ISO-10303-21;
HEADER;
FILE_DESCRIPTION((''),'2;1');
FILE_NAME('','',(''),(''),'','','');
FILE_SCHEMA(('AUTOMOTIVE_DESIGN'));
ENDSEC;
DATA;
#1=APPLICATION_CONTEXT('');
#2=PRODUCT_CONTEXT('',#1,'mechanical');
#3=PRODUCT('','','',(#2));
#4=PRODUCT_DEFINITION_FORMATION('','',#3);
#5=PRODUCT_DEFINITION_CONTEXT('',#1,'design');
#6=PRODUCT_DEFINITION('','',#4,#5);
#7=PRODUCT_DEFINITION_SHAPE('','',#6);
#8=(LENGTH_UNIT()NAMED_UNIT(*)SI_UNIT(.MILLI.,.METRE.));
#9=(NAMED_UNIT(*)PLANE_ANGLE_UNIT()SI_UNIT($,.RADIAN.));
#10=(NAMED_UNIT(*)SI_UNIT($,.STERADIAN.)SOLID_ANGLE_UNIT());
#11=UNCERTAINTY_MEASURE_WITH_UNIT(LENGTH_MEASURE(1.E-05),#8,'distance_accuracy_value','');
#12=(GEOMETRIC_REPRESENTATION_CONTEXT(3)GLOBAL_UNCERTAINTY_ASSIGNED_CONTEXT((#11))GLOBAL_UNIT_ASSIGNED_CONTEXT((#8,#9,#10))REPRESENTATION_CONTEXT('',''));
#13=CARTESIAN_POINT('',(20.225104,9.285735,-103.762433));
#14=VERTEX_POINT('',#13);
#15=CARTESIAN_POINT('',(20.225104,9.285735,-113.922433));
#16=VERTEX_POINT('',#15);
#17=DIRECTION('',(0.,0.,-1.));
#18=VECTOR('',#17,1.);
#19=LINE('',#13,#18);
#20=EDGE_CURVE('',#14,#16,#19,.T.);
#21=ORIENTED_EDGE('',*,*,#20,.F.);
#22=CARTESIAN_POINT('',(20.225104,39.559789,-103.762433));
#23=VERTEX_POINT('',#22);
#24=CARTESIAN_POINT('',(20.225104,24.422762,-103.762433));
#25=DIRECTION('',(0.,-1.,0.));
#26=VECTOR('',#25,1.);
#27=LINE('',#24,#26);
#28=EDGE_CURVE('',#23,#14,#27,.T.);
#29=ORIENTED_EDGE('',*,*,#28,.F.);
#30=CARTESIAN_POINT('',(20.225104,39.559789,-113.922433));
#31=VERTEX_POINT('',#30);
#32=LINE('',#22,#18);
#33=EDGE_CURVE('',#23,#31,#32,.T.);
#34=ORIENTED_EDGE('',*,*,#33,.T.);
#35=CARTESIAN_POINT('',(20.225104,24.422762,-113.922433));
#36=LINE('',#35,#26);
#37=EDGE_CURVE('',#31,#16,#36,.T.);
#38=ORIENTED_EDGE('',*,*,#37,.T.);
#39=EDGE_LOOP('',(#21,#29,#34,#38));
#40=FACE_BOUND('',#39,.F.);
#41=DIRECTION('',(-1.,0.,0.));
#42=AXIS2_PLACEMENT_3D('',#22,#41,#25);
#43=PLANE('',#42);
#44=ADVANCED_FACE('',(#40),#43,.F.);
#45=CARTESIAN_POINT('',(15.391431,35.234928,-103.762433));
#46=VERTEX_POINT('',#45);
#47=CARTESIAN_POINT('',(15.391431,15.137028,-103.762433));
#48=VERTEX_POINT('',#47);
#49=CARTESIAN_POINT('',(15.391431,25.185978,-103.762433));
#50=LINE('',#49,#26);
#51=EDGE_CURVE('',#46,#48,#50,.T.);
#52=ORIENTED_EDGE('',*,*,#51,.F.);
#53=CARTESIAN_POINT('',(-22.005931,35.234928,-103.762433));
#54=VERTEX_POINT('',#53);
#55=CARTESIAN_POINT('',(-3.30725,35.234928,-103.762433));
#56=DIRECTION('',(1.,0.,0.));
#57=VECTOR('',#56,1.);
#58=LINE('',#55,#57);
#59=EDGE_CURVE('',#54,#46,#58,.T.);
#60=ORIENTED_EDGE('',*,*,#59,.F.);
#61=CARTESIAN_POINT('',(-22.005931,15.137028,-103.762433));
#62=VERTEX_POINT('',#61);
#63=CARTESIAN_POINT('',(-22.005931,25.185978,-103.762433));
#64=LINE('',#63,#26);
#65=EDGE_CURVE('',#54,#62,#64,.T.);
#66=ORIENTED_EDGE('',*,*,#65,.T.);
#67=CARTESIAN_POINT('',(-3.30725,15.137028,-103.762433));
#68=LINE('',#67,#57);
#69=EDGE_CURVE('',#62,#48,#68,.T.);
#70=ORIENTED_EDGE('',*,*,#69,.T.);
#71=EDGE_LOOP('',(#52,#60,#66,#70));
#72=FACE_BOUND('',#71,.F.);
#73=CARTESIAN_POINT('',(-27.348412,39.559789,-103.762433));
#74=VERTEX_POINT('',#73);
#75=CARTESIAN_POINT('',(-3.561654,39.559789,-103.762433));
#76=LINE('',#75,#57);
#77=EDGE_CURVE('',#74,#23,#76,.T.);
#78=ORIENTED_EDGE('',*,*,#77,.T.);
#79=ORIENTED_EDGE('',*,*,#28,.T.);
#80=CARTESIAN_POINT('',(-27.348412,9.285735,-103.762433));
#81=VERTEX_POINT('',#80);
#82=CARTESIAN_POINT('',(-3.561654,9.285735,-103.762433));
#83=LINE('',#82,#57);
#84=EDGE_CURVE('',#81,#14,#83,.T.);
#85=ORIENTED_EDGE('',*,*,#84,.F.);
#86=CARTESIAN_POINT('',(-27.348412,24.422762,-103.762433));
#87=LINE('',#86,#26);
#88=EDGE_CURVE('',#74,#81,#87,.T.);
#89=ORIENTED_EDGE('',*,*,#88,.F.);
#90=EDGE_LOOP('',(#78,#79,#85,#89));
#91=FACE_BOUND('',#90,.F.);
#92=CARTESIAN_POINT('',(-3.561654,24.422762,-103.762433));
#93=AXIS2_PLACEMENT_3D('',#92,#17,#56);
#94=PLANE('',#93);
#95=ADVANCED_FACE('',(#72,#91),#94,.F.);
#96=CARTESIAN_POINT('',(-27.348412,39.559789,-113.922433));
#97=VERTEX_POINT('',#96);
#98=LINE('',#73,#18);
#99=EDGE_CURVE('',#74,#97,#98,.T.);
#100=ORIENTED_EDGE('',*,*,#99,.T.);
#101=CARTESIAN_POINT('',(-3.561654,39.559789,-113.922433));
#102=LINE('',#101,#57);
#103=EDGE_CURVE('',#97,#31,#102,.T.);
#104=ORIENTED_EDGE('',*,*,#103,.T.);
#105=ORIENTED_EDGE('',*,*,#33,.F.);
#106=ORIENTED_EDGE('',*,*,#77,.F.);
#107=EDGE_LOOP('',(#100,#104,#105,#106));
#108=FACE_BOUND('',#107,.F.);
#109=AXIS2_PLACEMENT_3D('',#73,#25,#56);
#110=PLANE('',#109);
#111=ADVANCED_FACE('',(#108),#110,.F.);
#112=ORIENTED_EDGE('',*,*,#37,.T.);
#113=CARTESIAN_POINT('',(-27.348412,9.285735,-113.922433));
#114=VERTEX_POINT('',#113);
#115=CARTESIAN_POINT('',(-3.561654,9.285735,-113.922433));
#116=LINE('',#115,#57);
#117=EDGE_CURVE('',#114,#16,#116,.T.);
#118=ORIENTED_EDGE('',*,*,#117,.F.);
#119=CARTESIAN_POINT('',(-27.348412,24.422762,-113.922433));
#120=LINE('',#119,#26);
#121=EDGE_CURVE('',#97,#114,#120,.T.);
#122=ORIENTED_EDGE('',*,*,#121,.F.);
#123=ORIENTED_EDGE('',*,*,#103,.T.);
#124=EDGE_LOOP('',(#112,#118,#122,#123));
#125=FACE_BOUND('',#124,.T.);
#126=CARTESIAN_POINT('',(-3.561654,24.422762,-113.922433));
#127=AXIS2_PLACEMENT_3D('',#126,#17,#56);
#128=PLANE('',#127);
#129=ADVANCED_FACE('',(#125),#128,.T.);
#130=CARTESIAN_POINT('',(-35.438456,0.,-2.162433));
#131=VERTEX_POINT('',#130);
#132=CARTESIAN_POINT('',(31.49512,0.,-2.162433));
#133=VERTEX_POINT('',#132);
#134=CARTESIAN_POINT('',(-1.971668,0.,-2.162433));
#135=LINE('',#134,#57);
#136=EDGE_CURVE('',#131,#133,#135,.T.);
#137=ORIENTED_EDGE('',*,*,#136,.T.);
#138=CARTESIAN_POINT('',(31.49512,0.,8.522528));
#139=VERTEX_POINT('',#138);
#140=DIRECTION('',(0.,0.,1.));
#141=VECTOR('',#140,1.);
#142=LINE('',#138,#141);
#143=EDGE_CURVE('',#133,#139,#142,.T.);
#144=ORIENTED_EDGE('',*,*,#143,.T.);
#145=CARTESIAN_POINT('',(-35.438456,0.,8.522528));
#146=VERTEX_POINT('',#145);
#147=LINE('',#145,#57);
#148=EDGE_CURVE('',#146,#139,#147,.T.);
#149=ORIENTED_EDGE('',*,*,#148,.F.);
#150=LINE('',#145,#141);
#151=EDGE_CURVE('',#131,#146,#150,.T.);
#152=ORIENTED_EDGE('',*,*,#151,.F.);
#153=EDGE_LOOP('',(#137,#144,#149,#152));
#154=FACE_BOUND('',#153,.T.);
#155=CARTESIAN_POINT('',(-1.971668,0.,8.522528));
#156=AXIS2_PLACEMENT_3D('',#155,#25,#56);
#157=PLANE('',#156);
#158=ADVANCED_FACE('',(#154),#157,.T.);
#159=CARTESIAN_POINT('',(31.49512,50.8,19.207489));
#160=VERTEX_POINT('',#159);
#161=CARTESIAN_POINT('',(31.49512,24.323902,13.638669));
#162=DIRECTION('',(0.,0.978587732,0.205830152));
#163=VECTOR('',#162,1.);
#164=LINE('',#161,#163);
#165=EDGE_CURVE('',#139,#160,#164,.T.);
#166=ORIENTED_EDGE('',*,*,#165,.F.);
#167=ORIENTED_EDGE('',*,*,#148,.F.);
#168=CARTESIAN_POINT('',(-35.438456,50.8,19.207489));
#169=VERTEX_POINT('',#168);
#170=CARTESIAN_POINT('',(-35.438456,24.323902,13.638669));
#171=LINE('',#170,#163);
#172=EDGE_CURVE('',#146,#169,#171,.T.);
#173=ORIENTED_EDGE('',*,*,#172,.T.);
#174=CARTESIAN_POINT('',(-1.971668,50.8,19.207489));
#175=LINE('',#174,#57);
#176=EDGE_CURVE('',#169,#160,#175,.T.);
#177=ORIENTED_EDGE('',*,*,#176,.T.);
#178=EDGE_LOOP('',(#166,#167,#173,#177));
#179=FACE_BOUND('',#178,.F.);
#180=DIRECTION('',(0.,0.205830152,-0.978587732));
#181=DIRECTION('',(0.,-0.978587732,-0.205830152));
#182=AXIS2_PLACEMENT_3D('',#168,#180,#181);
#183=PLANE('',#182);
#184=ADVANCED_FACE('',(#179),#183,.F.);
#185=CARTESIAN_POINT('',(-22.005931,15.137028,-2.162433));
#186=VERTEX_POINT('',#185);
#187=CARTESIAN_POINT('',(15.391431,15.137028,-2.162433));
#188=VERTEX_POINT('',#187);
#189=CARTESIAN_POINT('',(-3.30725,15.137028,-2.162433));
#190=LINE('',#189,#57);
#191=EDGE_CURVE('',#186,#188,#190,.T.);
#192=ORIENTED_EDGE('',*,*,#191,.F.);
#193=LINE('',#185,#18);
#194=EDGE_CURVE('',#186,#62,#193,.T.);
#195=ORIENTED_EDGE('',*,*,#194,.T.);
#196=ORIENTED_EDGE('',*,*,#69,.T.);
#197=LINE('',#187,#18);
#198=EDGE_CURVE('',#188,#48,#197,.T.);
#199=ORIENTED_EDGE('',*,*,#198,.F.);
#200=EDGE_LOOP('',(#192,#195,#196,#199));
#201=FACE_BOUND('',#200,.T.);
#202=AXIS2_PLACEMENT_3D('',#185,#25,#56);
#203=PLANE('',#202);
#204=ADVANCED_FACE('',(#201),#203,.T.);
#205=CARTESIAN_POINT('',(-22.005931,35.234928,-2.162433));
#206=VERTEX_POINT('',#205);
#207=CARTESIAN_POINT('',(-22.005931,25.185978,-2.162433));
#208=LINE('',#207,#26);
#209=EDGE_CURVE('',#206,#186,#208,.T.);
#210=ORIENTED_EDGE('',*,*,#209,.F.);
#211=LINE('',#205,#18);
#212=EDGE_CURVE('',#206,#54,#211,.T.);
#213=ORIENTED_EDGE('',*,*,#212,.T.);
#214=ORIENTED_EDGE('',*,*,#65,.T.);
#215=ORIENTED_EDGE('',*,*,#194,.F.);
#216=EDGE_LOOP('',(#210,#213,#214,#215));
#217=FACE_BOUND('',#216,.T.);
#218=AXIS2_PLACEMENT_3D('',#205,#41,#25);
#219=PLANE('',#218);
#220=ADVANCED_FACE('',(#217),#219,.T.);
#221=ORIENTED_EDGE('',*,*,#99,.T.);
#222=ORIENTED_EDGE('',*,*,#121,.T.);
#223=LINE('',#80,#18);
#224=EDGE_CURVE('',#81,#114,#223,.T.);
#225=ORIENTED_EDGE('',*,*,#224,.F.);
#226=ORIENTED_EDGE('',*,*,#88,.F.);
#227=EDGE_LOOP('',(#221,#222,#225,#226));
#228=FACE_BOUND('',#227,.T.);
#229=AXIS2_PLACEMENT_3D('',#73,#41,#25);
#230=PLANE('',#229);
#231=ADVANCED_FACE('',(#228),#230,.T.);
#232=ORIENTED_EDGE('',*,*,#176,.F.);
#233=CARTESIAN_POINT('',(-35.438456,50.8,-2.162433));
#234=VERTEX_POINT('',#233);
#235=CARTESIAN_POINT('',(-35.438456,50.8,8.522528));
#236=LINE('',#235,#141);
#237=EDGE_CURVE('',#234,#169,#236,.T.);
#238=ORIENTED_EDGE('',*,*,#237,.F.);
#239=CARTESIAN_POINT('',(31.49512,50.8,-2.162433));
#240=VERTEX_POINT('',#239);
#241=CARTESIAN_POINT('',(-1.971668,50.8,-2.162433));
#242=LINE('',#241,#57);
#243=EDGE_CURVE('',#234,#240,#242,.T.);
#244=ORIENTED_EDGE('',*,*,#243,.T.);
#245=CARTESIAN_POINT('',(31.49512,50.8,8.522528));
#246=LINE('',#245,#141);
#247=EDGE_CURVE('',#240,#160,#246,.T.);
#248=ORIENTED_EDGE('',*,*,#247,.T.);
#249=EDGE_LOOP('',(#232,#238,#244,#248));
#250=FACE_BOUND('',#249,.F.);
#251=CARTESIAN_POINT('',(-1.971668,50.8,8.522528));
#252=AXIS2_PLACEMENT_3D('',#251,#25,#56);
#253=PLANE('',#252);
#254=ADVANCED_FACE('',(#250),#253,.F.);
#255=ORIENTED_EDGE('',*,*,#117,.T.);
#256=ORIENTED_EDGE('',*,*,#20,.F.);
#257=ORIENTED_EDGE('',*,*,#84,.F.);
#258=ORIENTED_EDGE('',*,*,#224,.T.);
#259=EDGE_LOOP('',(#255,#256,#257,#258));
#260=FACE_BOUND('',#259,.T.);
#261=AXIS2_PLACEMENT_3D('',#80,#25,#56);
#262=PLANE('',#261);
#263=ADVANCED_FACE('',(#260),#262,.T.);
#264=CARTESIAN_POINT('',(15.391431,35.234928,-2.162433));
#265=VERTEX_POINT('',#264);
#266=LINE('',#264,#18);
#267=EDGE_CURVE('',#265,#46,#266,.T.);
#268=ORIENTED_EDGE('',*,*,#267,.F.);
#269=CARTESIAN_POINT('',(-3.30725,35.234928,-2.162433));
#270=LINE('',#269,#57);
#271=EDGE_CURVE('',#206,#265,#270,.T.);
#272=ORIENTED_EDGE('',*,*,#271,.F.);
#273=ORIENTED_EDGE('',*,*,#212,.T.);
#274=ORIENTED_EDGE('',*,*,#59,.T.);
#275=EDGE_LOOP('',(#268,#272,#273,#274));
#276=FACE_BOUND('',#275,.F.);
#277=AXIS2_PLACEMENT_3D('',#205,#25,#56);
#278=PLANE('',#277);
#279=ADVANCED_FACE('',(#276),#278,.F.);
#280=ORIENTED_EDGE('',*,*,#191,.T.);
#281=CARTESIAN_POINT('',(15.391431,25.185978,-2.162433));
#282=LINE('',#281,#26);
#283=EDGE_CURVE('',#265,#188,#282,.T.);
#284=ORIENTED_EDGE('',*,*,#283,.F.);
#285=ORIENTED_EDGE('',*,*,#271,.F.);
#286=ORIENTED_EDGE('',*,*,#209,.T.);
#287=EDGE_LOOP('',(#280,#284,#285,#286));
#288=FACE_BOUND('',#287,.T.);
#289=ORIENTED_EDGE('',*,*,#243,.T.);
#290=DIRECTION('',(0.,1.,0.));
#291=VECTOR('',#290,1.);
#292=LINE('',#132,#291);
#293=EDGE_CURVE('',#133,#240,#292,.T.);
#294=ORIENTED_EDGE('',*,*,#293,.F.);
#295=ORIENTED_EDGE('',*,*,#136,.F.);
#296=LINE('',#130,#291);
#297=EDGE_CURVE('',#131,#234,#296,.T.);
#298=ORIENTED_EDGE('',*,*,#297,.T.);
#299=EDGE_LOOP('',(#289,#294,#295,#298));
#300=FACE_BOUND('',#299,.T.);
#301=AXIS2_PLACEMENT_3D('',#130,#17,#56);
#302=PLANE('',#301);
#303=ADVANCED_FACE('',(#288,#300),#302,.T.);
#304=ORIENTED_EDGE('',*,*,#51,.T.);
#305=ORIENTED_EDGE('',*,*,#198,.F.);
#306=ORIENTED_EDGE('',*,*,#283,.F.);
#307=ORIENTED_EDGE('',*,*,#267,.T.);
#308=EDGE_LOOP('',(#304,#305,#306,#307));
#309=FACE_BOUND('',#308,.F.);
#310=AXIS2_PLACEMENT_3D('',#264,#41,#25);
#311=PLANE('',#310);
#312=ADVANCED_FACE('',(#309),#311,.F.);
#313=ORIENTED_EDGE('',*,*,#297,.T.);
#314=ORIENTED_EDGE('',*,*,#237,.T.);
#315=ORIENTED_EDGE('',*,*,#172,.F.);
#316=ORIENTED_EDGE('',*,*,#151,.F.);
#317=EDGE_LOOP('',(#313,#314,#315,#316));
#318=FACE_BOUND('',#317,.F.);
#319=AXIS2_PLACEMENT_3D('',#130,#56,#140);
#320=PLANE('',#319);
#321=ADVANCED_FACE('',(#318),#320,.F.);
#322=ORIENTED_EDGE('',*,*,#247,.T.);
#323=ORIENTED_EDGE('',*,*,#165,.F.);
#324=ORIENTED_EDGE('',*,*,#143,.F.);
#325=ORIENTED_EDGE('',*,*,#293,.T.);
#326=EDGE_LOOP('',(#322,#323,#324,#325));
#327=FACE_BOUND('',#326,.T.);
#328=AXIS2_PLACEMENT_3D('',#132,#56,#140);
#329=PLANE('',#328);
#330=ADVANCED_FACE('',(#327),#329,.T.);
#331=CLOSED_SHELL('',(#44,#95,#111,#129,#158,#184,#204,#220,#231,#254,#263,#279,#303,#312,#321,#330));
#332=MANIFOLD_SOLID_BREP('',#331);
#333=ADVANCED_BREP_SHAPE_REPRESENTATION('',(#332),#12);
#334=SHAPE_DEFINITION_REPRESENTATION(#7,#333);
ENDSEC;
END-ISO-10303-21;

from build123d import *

# Parameters (mm, degrees)
F0_W     = 66.933575
F0_H     = 21.369922
F1_DEPTH = 50.8
F3_DEPTH = 76.2
F4_W     = 37.397362
F4_H     = 20.0979
F5_DEPTH = 101.6
F6_W     = 47.573516
F6_H     = 30.274053
F7_DEPTH = 10.16


with BuildPart() as f1:
    # F0 (on Front) → F1 (new body)
    with BuildSketch(Plane.XZ):
        with Locations((-1.971668, 8.522528)):
            Rectangle(F0_W, F0_H)
    extrude(amount=-F1_DEPTH)

    # F2 (on face) → F3 (cut)
    with BuildSketch(Plane(origin=(-35.438456, 0, 0), x_dir=(0, -1, 0), z_dir=(-1, 0, 0))):
        Polygon((0, 19.207489), (-50.8, 19.207489), (0, 8.522528), align=None)
    extrude(amount=-F3_DEPTH, mode=Mode.SUBTRACT)

    # F4 (on face) → F5 (join)
    with BuildSketch(Plane(origin=(0, 0, -2.162433), x_dir=(1, 0, 0), z_dir=(0, 0, -1))):
        with Locations((-3.30725, -25.185978)):
            Rectangle(F4_W, F4_H)
    extrude(amount=F5_DEPTH)

    # F6 (on face) → F7 (join)
    with BuildSketch(Plane(origin=(0, 0, -103.762433), x_dir=(1, 0, 0), z_dir=(0, 0, -1))):
        with Locations((-3.561654, -24.422762)):
            Rectangle(F6_W, F6_H)
    extrude(amount=F7_DEPTH)


solid = f1.part
